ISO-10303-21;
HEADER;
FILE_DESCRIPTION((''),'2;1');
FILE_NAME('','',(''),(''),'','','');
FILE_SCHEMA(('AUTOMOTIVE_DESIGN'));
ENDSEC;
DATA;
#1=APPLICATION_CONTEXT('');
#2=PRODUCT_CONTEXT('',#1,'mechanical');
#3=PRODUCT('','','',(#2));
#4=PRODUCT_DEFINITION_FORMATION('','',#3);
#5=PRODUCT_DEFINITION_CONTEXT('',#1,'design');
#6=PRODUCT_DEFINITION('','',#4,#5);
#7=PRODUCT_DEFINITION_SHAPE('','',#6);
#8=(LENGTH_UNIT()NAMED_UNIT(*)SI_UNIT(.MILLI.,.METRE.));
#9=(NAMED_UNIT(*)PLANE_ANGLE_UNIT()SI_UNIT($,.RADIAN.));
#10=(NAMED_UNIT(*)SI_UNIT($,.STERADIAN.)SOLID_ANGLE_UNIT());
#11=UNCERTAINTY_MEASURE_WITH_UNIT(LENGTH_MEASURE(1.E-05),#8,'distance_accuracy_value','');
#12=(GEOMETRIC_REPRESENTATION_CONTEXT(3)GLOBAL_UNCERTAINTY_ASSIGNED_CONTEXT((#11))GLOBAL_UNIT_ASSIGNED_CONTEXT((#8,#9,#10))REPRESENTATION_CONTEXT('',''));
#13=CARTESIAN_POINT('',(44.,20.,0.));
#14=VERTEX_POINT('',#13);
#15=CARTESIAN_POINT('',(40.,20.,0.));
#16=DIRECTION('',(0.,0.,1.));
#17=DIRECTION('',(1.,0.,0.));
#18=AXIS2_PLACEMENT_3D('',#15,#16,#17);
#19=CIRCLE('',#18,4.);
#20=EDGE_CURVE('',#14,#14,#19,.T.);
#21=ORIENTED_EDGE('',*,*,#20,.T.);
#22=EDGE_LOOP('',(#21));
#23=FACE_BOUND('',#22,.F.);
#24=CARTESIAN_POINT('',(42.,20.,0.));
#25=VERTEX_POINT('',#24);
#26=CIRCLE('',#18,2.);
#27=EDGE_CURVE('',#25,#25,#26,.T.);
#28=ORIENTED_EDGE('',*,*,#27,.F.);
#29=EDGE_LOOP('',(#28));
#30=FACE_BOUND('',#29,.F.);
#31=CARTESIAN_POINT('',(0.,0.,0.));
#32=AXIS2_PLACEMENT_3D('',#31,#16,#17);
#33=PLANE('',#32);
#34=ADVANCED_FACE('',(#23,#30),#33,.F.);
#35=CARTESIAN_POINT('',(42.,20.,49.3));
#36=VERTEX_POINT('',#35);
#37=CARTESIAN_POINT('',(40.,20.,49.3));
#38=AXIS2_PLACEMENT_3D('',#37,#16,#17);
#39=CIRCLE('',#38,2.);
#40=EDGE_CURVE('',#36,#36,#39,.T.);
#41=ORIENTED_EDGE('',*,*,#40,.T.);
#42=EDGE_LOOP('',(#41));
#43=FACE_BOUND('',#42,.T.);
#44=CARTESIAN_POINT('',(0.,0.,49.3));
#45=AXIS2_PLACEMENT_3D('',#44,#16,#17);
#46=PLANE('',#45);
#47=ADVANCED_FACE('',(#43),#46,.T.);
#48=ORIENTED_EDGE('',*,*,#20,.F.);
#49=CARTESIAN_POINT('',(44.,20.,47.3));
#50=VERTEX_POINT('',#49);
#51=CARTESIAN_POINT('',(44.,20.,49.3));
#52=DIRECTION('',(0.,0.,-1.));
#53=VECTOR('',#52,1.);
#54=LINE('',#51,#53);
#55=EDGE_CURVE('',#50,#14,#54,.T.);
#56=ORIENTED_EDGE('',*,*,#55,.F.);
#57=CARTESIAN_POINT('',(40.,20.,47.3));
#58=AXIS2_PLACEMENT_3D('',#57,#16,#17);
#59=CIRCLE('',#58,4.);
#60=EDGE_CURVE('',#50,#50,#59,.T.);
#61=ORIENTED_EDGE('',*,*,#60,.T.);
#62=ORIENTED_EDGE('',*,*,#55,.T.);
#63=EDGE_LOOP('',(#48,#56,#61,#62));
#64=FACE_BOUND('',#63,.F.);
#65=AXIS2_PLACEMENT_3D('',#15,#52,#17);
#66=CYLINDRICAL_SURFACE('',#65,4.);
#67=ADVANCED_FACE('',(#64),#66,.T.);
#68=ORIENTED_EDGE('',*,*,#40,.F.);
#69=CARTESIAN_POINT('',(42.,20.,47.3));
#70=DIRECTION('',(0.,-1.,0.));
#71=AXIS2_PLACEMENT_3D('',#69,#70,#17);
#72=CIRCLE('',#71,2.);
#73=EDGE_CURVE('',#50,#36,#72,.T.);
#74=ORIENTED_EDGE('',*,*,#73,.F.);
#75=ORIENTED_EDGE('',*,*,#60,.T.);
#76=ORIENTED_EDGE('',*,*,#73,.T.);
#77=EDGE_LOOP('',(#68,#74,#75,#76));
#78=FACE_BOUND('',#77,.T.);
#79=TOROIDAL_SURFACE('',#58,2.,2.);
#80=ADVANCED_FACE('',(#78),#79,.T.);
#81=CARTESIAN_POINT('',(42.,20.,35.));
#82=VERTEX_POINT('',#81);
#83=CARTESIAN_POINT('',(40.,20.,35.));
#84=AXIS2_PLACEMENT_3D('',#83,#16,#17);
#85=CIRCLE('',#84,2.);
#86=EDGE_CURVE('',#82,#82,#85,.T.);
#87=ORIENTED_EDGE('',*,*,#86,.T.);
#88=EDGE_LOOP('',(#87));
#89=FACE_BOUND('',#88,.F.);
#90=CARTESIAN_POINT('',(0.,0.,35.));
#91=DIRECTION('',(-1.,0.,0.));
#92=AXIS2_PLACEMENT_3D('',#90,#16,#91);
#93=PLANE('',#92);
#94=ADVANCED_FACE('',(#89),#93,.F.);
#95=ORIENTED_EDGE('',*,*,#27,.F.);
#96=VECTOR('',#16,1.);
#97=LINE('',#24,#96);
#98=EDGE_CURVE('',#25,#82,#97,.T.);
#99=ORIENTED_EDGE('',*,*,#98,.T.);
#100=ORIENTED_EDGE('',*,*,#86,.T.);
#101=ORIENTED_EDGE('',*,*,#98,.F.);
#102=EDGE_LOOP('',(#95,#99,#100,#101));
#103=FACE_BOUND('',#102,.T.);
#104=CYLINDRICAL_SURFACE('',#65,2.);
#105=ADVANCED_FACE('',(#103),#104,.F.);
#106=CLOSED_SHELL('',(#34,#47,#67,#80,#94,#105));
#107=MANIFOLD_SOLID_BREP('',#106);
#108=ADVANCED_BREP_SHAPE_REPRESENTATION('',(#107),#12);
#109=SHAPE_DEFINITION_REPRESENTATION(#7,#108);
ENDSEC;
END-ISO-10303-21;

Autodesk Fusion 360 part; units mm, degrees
sketch "Sketch1" plane through (0, 0, 0) normal (0, 0, 1) x (1, 0, 0)
  circle A0 centre (40, 20) radius 2
  circle A1 centre (40, 20) radius 4
  dimension "d1" = 4
  dimension "d2" = 8
extrude "Extrude1" add sketch "Sketch1" along normal blind 35 makes body 1
sketch "Sketch2" plane through (0, 0, 35) normal (0, 0, 1) x (-1, 0, 0)
  circle A0 centre (-40, -20) radius 2
  circle A1 centre (-40, -20) radius 4
  circle A2 centre (-40, -20) radius 4
  circle A3 centre (-40, -20) radius 2
  dimension "d5" = 8
extrude "Extrude2" add sketch "Sketch2" along normal blind 14.3 separate body contours A0 A3 makes body 2
extrude "Extrude3" add 1 faces at (43.311, 19.7019, 35) along direction (0, 0, 1) blind 14.3 on bodies 1 bodies 1 2
fillet "Fillet1" radius 2 1 edges at (36.2707, 18.5535, 49.3) on bodies 1
